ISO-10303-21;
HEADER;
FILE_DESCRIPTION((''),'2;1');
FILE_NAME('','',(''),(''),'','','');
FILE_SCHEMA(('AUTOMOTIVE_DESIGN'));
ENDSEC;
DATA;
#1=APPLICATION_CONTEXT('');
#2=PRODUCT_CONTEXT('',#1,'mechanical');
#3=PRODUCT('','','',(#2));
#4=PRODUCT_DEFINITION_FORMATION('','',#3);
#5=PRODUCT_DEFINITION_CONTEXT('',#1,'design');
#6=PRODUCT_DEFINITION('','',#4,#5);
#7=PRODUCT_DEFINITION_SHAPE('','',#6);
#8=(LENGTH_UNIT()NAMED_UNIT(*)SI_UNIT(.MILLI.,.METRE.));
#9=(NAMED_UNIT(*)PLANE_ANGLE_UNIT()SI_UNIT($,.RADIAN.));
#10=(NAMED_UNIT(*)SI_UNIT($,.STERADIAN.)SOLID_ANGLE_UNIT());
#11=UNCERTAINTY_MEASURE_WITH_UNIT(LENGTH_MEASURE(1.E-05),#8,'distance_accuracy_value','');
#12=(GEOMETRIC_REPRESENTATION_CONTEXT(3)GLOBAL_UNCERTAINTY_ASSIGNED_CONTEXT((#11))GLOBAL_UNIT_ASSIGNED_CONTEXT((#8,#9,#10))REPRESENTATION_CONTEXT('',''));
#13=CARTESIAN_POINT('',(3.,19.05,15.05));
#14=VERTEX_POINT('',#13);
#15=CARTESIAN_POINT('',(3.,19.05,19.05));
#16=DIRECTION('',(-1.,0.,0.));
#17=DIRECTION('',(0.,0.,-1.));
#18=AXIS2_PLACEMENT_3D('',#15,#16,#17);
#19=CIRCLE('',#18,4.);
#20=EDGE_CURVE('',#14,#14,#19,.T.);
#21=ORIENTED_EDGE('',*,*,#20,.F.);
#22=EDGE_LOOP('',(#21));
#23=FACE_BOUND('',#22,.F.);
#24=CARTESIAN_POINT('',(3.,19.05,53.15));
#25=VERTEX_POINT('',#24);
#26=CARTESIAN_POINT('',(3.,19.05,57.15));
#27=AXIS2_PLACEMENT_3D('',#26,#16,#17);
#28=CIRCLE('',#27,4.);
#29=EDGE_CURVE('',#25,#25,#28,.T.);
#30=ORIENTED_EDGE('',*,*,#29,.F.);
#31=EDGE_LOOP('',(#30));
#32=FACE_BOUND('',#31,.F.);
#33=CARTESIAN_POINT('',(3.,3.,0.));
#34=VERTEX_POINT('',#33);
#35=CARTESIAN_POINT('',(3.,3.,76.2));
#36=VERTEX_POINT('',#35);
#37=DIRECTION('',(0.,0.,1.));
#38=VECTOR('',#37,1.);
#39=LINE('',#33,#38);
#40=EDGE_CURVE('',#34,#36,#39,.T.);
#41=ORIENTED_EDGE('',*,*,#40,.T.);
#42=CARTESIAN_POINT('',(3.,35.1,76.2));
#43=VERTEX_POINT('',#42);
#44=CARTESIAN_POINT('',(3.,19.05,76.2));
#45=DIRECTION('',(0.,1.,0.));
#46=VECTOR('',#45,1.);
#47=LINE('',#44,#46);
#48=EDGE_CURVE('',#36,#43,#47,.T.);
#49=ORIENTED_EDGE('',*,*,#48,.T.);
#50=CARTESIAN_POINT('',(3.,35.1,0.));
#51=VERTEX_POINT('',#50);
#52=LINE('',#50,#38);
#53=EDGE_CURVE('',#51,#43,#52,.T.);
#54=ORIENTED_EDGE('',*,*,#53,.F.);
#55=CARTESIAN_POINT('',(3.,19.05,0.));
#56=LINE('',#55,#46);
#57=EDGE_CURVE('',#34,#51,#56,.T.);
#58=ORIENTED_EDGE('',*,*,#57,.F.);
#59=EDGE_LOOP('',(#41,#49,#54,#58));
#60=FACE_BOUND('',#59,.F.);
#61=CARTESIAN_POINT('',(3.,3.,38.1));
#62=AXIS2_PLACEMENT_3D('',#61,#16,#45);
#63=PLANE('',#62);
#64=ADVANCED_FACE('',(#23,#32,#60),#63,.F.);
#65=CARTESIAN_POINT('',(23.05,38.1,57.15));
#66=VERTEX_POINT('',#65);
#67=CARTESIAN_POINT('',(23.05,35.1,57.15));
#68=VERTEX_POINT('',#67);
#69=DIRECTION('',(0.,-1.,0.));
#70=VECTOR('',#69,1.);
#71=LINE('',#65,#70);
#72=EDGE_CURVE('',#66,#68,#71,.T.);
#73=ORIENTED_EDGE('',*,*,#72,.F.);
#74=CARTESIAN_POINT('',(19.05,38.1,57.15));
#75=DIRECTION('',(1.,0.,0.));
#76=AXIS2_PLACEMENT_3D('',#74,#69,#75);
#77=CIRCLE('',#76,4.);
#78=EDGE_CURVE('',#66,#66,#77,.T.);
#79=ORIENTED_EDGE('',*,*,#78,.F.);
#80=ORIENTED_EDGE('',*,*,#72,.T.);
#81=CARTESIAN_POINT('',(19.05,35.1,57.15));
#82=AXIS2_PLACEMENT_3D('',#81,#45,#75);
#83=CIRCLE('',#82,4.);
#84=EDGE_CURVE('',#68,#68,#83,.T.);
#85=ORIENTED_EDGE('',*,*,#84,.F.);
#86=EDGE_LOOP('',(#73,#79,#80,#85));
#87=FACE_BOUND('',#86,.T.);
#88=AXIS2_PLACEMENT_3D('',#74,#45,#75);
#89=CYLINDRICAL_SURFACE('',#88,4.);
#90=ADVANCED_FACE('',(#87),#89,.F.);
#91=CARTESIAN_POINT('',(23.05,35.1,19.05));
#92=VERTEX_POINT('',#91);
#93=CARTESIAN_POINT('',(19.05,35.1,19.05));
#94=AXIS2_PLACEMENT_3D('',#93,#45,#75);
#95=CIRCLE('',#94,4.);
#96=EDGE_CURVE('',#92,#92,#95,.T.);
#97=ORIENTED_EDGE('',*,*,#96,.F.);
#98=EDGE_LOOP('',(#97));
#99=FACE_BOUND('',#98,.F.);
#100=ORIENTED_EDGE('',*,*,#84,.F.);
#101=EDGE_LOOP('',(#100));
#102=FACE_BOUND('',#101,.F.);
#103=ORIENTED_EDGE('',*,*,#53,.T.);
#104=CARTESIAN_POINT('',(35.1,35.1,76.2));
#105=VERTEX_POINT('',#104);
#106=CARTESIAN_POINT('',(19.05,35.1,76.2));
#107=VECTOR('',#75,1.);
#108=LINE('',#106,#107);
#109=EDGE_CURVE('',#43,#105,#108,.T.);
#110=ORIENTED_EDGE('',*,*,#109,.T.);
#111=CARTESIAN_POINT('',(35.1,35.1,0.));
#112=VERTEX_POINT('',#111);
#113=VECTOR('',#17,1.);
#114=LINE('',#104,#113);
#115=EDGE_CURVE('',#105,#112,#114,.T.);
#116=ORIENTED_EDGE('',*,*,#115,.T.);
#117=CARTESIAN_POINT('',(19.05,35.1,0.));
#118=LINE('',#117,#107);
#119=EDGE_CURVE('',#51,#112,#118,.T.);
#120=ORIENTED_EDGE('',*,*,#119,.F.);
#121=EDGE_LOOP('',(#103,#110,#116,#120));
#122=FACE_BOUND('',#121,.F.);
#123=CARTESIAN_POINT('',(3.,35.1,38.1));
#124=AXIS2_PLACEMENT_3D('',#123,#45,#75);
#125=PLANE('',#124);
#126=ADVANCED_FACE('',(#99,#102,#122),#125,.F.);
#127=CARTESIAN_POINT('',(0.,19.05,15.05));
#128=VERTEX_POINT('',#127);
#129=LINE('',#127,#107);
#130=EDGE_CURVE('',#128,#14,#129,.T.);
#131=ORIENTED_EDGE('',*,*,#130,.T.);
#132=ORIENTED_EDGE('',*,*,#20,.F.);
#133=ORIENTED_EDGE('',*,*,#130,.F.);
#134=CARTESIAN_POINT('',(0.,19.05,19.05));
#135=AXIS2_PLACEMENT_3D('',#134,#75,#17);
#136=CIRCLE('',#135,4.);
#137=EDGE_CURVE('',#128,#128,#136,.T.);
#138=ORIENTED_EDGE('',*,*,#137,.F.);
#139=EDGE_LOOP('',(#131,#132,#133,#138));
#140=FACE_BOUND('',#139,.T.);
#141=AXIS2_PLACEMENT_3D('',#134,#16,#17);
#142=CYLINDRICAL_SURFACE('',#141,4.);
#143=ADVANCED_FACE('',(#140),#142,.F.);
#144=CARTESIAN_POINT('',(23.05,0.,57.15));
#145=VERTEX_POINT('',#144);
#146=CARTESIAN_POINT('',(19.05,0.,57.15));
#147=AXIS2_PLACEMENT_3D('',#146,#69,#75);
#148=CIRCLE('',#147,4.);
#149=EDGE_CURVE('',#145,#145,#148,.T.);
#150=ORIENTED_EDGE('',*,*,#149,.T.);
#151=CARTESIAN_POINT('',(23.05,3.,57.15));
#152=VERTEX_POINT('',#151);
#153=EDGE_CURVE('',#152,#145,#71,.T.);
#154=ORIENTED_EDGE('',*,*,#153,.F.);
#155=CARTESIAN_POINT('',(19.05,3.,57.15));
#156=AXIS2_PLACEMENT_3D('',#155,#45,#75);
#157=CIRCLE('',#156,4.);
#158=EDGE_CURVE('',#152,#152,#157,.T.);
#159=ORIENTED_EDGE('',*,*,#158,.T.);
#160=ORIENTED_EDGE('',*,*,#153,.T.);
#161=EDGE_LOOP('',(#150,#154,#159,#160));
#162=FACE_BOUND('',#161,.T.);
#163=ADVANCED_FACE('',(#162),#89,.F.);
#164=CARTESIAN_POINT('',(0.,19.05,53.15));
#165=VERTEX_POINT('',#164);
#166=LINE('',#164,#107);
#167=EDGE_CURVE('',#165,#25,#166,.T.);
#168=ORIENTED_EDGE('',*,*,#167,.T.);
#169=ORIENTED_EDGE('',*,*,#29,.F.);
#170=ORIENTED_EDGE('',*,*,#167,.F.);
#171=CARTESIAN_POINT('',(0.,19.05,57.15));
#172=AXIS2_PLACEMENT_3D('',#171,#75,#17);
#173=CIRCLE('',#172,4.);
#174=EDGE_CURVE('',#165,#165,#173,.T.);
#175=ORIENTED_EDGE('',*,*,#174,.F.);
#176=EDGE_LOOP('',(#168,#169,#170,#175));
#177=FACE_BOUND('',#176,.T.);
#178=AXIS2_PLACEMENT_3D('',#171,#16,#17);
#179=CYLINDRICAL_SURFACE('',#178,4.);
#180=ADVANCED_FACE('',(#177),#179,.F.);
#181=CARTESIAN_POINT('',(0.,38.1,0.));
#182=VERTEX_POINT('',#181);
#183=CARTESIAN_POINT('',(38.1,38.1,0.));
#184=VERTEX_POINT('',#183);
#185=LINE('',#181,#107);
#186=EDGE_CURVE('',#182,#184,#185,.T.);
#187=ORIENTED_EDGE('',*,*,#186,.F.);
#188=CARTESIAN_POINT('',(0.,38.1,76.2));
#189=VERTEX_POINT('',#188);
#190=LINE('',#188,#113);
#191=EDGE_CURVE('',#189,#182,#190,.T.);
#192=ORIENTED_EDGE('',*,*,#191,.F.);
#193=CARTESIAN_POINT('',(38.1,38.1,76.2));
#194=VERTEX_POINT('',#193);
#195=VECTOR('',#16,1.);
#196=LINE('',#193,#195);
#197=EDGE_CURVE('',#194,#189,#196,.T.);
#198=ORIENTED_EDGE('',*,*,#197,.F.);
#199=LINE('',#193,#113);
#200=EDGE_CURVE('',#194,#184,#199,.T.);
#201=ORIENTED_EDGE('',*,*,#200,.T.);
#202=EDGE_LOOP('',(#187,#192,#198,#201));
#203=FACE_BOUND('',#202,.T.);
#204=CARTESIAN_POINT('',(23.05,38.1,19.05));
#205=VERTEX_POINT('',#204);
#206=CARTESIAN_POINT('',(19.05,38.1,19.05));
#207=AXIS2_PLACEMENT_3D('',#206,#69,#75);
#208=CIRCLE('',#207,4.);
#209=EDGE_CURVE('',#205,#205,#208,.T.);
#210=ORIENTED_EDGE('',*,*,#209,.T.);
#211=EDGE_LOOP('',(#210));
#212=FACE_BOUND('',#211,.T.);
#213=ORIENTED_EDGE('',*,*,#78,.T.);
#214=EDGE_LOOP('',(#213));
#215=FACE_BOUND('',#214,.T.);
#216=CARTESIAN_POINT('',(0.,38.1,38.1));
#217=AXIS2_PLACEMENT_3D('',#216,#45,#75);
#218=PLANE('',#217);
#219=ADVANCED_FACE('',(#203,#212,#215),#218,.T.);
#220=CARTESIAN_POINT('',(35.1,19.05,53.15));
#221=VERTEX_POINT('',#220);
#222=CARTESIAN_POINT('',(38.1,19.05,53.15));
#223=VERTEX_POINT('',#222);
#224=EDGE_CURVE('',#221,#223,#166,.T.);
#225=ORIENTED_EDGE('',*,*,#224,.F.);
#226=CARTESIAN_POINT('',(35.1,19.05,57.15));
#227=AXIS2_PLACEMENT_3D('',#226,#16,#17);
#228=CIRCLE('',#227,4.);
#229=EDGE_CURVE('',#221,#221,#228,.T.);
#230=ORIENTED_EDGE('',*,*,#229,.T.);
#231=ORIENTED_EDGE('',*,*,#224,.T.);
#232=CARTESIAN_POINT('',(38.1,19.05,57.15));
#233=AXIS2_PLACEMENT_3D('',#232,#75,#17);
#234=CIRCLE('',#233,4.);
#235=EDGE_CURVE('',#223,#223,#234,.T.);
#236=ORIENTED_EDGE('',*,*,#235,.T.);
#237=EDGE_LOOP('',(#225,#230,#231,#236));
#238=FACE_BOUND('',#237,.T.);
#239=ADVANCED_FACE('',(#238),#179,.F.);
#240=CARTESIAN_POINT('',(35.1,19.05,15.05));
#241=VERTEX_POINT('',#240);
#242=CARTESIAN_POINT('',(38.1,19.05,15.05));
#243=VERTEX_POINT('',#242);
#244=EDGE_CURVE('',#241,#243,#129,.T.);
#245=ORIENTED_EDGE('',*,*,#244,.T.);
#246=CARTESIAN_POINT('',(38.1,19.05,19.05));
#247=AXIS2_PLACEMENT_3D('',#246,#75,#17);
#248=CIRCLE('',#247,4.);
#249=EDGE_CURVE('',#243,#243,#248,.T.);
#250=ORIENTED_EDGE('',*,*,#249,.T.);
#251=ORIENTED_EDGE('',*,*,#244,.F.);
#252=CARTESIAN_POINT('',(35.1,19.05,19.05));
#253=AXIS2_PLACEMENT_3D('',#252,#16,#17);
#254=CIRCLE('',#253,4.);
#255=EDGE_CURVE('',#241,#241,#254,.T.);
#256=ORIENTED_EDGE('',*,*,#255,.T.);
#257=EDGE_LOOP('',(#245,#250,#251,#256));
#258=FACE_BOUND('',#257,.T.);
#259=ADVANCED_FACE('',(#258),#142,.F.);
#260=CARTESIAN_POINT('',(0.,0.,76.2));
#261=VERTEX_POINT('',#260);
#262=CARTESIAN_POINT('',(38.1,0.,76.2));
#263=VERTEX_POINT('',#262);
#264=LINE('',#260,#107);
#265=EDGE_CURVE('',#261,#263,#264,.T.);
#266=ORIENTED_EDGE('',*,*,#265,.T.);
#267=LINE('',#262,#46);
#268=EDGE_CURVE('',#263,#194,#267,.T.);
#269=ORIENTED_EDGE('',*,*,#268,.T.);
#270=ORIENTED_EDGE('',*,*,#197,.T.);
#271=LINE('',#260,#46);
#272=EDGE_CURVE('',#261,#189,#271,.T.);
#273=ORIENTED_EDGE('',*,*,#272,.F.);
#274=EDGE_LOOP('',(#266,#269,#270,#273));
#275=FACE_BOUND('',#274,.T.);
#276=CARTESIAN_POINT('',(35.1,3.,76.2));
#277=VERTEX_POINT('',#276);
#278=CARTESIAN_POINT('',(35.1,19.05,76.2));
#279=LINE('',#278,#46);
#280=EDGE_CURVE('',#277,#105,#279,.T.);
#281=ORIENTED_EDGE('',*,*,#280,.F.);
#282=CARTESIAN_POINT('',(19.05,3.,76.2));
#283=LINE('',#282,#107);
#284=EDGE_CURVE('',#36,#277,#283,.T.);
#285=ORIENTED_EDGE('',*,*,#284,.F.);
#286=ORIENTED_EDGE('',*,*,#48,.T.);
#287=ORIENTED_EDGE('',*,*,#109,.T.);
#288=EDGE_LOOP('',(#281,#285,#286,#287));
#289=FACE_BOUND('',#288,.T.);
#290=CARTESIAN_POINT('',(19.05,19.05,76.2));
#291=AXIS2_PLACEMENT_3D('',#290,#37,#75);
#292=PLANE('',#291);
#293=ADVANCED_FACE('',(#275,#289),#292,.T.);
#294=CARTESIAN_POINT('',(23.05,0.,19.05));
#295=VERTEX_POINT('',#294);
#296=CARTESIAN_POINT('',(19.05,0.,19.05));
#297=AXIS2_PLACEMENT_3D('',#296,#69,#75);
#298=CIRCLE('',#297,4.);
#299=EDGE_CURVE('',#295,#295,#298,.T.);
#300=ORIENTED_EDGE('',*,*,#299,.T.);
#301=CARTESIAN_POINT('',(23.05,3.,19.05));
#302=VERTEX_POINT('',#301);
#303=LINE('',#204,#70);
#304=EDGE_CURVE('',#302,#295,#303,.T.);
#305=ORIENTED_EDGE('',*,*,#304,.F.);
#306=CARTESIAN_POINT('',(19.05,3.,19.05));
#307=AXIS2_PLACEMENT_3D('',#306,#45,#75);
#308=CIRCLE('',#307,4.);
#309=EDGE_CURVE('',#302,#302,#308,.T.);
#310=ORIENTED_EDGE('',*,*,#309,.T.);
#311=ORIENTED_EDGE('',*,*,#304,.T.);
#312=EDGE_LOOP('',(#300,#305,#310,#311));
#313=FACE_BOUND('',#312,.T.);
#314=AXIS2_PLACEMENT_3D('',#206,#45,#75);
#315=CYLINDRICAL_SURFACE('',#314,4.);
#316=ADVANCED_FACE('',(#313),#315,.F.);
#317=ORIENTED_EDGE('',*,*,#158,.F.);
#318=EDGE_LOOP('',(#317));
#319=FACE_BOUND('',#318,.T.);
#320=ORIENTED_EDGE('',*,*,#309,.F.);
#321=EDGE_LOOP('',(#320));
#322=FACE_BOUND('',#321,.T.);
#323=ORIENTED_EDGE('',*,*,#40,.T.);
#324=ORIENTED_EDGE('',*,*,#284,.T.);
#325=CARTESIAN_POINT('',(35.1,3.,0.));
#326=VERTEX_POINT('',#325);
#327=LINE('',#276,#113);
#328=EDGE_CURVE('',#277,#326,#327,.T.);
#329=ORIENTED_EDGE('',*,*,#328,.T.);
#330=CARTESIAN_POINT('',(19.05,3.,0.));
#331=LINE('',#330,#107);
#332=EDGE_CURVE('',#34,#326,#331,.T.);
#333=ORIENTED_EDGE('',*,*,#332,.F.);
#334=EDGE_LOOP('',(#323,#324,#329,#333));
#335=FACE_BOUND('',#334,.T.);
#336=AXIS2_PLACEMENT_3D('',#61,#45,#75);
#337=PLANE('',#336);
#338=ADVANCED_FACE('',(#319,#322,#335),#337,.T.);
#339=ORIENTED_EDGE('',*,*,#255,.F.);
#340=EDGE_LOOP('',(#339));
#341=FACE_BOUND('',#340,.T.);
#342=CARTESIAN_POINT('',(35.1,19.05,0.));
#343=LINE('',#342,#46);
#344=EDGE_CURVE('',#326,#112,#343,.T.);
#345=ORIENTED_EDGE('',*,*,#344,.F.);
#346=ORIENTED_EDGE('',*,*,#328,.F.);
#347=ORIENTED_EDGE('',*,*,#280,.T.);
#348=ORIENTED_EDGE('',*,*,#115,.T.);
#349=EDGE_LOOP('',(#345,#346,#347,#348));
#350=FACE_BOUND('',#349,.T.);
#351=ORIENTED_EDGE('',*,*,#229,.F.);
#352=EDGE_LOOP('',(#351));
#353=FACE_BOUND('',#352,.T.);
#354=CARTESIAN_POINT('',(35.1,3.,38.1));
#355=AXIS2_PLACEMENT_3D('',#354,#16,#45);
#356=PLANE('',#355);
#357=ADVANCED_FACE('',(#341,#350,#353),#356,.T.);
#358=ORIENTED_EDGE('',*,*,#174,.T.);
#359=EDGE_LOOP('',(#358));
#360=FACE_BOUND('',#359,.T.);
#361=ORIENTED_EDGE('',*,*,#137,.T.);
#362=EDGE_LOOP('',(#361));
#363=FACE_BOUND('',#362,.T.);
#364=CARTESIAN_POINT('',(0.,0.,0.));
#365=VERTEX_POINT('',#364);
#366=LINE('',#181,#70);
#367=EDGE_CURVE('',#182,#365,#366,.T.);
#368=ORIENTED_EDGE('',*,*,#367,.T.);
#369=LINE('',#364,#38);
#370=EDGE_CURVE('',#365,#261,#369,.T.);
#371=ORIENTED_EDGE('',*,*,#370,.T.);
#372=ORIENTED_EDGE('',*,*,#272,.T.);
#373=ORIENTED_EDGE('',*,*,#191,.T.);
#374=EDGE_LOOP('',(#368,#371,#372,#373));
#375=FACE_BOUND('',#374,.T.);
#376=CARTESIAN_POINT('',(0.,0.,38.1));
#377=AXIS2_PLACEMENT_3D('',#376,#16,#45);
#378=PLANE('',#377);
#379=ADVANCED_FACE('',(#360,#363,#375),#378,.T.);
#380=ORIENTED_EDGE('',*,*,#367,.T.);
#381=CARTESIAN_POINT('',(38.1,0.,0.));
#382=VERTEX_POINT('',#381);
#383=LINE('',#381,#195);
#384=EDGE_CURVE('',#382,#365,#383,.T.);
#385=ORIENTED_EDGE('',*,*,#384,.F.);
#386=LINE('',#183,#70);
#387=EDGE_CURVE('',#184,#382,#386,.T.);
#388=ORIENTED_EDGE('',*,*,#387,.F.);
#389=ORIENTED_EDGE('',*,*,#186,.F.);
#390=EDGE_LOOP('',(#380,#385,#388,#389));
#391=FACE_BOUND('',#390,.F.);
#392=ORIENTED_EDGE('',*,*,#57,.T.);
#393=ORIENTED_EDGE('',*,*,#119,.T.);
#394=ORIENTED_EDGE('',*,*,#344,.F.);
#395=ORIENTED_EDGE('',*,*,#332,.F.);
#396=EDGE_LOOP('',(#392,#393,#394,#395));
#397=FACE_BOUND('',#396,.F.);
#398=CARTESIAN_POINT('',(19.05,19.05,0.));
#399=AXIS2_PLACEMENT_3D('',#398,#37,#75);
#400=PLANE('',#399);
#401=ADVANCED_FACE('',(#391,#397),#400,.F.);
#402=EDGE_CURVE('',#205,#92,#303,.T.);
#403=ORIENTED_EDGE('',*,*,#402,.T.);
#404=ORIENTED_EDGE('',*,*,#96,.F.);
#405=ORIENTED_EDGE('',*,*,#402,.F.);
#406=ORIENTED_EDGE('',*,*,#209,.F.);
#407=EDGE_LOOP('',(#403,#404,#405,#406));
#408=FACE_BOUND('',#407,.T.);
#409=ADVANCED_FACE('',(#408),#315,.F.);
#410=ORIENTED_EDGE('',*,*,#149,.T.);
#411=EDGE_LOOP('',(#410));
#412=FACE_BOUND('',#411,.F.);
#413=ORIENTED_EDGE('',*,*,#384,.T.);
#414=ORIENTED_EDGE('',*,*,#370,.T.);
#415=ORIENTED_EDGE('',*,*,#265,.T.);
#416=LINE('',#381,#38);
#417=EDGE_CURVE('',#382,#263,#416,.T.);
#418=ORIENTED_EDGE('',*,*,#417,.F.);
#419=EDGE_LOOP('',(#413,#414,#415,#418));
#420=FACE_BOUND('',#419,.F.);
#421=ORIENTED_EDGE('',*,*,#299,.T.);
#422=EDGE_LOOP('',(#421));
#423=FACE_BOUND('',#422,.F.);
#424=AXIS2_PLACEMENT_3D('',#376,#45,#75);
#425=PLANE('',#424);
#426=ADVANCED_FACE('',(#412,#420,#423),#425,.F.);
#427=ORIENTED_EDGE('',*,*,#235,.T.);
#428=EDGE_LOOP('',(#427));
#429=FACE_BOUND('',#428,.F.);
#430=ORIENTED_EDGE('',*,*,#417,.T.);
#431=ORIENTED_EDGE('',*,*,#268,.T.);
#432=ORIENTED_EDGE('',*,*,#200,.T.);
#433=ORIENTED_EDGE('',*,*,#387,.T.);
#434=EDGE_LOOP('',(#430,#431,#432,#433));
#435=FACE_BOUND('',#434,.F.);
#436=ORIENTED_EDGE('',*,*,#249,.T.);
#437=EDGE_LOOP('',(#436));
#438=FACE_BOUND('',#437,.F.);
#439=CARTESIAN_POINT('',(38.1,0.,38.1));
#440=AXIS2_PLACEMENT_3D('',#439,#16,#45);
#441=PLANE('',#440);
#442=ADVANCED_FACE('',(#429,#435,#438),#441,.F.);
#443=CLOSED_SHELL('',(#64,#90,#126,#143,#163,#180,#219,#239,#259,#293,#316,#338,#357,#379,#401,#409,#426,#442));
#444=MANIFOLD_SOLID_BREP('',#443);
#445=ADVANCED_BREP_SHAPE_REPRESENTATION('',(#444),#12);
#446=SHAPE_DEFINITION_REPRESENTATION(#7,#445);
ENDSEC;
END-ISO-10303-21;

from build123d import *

# Parameters (mm, degrees)
BOX001_W                = 32.1
BOX001_H                = 32.1
BOX001_DEPTH            = 38.1
CYLINDER001_R           = 4
CYLINDER001_DEPTH       = 38.1
CYLINDER001_PITCH_ANGLE = 90
CYLINDER_R              = 4
CYLINDER_DEPTH          = 38.1
CYLINDER_ROLL_ANGLE     = 90
BOX_W                   = 38.1
BOX_H                   = 38.1
BOX_DEPTH               = 38.1
FILLET_R                = 1
BOX003_W                = 32.1
BOX003_H                = 32.1
BOX003_DEPTH            = 38.1
CYLINDER003_R           = 4
CYLINDER003_DEPTH       = 38.1
CYLINDER003_PITCH_ANGLE = 90
CYLINDER002_R           = 4
CYLINDER002_DEPTH       = 38.1
CYLINDER002_ROLL_ANGLE  = 90
BOX002_W                = 38.1
BOX002_H                = 38.1
BOX002_DEPTH            = 38.1
FILLET001_R             = 1


with BuildPart() as cube001:
    # Box001 → Box001 (new body)
    with BuildSketch(Plane(origin=(3, 3, 0), x_dir=(1, 0, 0), z_dir=(0, 0, 1))):
        with Locations((16.05, 16.05)):
            Rectangle(BOX001_W, BOX001_H)
    extrude(amount=BOX001_DEPTH)


with BuildPart() as cylinder001:
    # Cylinder001 → Cylinder001 (new body)
    with BuildSketch(Plane.XY):
        Circle(CYLINDER001_R)
    extrude(amount=CYLINDER001_DEPTH)


with BuildPart() as cylinder001_1:
    # Cylinder001 pitch: moved
    add(cylinder001.part.rotate(Axis((0, 0, 0), (0, 1, 0)), CYLINDER001_PITCH_ANGLE))


with BuildPart() as cylinder001_2:
    # Cylinder001 placement: moved
    add(cylinder001_1.part.moved(Location((0, 19.05, 19.05))))


with BuildPart() as cylinder:
    # Cylinder → Cylinder (new body)
    with BuildSketch(Plane.XY):
        Circle(CYLINDER_R)
    extrude(amount=CYLINDER_DEPTH)


with BuildPart() as cylinder_1:
    # Cylinder roll: moved
    add(cylinder.part.rotate(Axis((0, 0, 0), (1, 0, 0)), CYLINDER_ROLL_ANGLE))


with BuildPart() as cylinder_2:
    # Cylinder placement: moved
    add(cylinder_1.part.moved(Location((19.05, 38.1, 19.05))))


with BuildPart() as cut002:
    # Box → Box (new body)
    with BuildSketch(Plane.XY):
        with Locations((19.05, 19.05)):
            Rectangle(BOX_W, BOX_H)
    extrude(amount=BOX_DEPTH)

    # Cut: cut Cylinder
    add(cylinder_2.part, mode=Mode.SUBTRACT)

    # Cut001: cut Cylinder001
    add(cylinder001_2.part, mode=Mode.SUBTRACT)

    # Cut002: cut Cube001
    add(cube001.part, mode=Mode.SUBTRACT)


with BuildPart() as fillet_body:
    # Fillet base: copy of Cut002
    add(cut002.part)

    # Fillet
    fillet_edges = [fillet_body.edges().sort_by_distance(p)[0] for p in [
        (0, 38.1, 19.05),
        (0, 0, 19.05),
        (38.1, 38.1, 19.05),
        (38.1, 0, 19.05),
    ]]
    fillet(fillet_edges, radius=FILLET_R)


with BuildPart() as cube003:
    # Box003 → Box003 (new body)
    with BuildSketch(Plane(origin=(3, 3, 0), x_dir=(1, 0, 0), z_dir=(0, 0, 1))):
        with Locations((16.05, 16.05)):
            Rectangle(BOX003_W, BOX003_H)
    extrude(amount=BOX003_DEPTH)


with BuildPart() as cylinder003:
    # Cylinder003 → Cylinder003 (new body)
    with BuildSketch(Plane.XY):
        Circle(CYLINDER003_R)
    extrude(amount=CYLINDER003_DEPTH)


with BuildPart() as cylinder003_1:
    # Cylinder003 pitch: moved
    add(cylinder003.part.rotate(Axis((0, 0, 0), (0, 1, 0)), CYLINDER003_PITCH_ANGLE))


with BuildPart() as cylinder003_2:
    # Cylinder003 placement: moved
    add(cylinder003_1.part.moved(Location((0, 19.05, 19.05))))


with BuildPart() as cylinder002:
    # Cylinder002 → Cylinder002 (new body)
    with BuildSketch(Plane.XY):
        Circle(CYLINDER002_R)
    extrude(amount=CYLINDER002_DEPTH)


with BuildPart() as cylinder002_1:
    # Cylinder002 roll: moved
    add(cylinder002.part.rotate(Axis((0, 0, 0), (1, 0, 0)), CYLINDER002_ROLL_ANGLE))


with BuildPart() as cylinder002_2:
    # Cylinder002 placement: moved
    add(cylinder002_1.part.moved(Location((19.05, 38.1, 19.05))))


with BuildPart() as cut005:
    # Box002 → Box002 (new body)
    with BuildSketch(Plane.XY):
        with Locations((19.05, 19.05)):
            Rectangle(BOX002_W, BOX002_H)
    extrude(amount=BOX002_DEPTH)

    # Cut003: cut Cylinder002
    add(cylinder002_2.part, mode=Mode.SUBTRACT)

    # Cut004: cut Cylinder003
    add(cylinder003_2.part, mode=Mode.SUBTRACT)

    # Cut005: cut Cube003
    add(cube003.part, mode=Mode.SUBTRACT)


with BuildPart() as cut005_1:
    # Cut005 placement: moved
    add(cut005.part.moved(Location((0, 0, 38.1))))


with BuildPart() as fillet001:
    # Fillet001 base: copy of Cut005
    add(cut005_1.part)

    # Fillet001
    fillet001_edges = [fillet001.edges().sort_by_distance(p)[0] for p in [
        (0, 38.1, 57.15),
        (0, 0, 57.15),
        (38.1, 38.1, 57.15),
        (38.1, 0, 57.15),
    ]]
    fillet(fillet001_edges, radius=FILLET001_R)


with BuildPart() as fusion:
    # Fusion base: copy of Cut002
    add(cut002.part)

    # Fusion: union Fillet body, Cut005, Fillet001
    add(fillet_body.part)
    add(cut005_1.part)
    add(fillet001.part)


solid = fusion.part
